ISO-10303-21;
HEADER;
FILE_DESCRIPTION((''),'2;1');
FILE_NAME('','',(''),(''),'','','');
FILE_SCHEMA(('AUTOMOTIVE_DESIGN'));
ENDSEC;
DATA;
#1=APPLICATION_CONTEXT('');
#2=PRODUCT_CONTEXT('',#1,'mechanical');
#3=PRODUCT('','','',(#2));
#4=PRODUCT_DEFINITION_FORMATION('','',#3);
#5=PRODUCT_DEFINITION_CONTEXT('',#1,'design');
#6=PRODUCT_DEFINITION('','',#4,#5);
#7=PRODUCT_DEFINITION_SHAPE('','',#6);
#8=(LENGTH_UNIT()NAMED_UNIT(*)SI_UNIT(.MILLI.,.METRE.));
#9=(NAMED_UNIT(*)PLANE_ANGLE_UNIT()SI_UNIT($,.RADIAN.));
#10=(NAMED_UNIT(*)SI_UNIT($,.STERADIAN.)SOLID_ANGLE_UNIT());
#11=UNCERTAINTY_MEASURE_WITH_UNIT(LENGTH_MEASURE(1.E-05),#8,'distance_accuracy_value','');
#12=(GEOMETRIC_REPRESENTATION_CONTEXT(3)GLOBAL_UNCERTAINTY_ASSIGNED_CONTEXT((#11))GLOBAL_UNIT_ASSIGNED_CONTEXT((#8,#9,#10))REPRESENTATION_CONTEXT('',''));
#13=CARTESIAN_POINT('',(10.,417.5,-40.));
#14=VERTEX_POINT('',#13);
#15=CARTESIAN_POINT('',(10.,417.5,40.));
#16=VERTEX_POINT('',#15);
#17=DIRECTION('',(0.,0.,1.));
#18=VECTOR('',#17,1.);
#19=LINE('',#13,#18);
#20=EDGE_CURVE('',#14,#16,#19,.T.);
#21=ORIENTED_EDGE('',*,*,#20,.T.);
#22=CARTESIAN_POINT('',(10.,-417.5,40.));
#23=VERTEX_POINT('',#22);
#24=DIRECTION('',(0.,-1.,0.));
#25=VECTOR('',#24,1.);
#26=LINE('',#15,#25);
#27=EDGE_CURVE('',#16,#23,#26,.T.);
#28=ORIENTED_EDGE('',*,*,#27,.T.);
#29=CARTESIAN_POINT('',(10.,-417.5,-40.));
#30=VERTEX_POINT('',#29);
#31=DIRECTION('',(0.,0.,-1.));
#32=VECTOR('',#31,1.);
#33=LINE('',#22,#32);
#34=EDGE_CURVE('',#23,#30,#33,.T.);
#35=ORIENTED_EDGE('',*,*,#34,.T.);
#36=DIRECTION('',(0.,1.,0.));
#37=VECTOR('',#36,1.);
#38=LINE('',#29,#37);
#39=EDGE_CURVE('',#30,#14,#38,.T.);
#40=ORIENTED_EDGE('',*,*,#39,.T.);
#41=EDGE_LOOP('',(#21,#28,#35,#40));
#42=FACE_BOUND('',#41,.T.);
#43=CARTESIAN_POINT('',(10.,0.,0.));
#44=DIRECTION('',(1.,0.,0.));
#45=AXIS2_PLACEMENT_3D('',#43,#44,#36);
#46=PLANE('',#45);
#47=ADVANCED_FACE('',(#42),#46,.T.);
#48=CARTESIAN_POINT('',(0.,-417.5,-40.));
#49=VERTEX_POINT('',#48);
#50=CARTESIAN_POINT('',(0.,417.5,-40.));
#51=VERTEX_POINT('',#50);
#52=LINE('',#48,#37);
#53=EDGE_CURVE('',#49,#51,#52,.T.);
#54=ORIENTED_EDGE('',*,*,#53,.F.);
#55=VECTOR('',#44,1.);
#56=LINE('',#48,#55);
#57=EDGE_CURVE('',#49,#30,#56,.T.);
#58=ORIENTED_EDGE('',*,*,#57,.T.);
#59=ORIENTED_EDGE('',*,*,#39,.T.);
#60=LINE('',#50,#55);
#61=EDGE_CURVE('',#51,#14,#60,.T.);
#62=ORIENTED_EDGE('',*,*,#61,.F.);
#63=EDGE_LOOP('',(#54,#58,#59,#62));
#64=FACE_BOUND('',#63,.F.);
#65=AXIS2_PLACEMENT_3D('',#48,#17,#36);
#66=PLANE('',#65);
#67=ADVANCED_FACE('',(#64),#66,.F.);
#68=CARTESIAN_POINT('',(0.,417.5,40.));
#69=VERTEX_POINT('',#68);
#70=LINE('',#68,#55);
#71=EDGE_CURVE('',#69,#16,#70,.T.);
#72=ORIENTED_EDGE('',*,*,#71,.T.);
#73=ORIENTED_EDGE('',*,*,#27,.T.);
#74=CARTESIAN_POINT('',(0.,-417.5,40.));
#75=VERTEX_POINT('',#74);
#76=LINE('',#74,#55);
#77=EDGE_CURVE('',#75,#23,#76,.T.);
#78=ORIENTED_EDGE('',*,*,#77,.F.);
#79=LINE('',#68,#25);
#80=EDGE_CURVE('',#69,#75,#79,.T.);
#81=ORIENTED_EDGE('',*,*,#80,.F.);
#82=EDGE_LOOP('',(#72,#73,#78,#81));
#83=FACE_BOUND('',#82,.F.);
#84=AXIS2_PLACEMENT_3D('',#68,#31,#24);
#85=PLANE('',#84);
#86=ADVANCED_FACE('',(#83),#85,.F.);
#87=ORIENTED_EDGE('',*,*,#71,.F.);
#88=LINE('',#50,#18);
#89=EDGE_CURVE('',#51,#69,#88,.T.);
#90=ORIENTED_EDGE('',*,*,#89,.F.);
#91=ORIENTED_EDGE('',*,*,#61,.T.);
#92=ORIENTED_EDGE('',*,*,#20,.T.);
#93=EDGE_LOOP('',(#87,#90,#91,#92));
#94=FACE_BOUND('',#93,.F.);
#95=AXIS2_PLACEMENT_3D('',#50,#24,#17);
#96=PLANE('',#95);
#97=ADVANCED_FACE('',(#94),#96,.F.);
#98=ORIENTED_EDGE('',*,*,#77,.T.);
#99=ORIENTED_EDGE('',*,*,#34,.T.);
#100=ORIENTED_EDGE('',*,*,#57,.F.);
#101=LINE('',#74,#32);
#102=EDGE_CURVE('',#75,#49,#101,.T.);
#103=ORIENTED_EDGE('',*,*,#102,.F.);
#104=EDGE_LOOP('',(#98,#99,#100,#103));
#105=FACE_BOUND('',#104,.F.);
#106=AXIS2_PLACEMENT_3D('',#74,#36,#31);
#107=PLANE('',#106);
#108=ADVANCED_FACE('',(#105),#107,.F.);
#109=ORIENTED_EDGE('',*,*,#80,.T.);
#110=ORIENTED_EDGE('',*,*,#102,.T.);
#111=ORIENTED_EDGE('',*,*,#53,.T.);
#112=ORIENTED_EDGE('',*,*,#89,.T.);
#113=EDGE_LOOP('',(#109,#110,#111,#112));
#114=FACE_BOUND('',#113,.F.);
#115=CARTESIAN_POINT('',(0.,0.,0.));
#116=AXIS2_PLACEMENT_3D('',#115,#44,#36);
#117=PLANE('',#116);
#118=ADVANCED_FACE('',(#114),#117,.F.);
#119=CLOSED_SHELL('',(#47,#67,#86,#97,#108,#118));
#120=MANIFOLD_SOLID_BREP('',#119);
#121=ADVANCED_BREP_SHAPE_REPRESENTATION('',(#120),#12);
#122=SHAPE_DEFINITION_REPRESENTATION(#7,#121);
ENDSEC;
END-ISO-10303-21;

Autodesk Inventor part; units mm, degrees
ref_plane "YZ Plane" through (0, 0, 0) normal (1, 0, 0) x (0, 1, 0)
ref_plane "XY Plane" through (0, 0, 0) normal (0, 0, 1) x (1, 0, 0)
sketch "Sketch1" plane through (0, 0, 0) normal (1, 0, 0) x (0, 1, 0)
  line L0 (-417.5, -40) -> (417.5, -40)
  line L1 (417.5, -40) -> (417.5, 40)
  line L2 (417.5, 40) -> (-417.5, 40)
  line L3 (-417.5, 40) -> (-417.5, -40)
  line L4 (-417.5, -40) -> (417.5, 40) construction
  line L5 (417.5, -40) -> (-417.5, 40) construction
  point P0 (0, 0)
  dimension "d0" = 835
  dimension "d1" = 80
extrude "Extrusion1" add sketch "Sketch1" along normal blind 10
ref_plane "Work Plane1" through (0, 407.5, 0) normal (0, 1, 0) x (-1, 0, 0)
ref_plane "Work Plane2" through (0, -412.5, 0) normal (0, 1, 0) x (-1, 0, 0)
properties part number "GlassPlate" material "Gold"
